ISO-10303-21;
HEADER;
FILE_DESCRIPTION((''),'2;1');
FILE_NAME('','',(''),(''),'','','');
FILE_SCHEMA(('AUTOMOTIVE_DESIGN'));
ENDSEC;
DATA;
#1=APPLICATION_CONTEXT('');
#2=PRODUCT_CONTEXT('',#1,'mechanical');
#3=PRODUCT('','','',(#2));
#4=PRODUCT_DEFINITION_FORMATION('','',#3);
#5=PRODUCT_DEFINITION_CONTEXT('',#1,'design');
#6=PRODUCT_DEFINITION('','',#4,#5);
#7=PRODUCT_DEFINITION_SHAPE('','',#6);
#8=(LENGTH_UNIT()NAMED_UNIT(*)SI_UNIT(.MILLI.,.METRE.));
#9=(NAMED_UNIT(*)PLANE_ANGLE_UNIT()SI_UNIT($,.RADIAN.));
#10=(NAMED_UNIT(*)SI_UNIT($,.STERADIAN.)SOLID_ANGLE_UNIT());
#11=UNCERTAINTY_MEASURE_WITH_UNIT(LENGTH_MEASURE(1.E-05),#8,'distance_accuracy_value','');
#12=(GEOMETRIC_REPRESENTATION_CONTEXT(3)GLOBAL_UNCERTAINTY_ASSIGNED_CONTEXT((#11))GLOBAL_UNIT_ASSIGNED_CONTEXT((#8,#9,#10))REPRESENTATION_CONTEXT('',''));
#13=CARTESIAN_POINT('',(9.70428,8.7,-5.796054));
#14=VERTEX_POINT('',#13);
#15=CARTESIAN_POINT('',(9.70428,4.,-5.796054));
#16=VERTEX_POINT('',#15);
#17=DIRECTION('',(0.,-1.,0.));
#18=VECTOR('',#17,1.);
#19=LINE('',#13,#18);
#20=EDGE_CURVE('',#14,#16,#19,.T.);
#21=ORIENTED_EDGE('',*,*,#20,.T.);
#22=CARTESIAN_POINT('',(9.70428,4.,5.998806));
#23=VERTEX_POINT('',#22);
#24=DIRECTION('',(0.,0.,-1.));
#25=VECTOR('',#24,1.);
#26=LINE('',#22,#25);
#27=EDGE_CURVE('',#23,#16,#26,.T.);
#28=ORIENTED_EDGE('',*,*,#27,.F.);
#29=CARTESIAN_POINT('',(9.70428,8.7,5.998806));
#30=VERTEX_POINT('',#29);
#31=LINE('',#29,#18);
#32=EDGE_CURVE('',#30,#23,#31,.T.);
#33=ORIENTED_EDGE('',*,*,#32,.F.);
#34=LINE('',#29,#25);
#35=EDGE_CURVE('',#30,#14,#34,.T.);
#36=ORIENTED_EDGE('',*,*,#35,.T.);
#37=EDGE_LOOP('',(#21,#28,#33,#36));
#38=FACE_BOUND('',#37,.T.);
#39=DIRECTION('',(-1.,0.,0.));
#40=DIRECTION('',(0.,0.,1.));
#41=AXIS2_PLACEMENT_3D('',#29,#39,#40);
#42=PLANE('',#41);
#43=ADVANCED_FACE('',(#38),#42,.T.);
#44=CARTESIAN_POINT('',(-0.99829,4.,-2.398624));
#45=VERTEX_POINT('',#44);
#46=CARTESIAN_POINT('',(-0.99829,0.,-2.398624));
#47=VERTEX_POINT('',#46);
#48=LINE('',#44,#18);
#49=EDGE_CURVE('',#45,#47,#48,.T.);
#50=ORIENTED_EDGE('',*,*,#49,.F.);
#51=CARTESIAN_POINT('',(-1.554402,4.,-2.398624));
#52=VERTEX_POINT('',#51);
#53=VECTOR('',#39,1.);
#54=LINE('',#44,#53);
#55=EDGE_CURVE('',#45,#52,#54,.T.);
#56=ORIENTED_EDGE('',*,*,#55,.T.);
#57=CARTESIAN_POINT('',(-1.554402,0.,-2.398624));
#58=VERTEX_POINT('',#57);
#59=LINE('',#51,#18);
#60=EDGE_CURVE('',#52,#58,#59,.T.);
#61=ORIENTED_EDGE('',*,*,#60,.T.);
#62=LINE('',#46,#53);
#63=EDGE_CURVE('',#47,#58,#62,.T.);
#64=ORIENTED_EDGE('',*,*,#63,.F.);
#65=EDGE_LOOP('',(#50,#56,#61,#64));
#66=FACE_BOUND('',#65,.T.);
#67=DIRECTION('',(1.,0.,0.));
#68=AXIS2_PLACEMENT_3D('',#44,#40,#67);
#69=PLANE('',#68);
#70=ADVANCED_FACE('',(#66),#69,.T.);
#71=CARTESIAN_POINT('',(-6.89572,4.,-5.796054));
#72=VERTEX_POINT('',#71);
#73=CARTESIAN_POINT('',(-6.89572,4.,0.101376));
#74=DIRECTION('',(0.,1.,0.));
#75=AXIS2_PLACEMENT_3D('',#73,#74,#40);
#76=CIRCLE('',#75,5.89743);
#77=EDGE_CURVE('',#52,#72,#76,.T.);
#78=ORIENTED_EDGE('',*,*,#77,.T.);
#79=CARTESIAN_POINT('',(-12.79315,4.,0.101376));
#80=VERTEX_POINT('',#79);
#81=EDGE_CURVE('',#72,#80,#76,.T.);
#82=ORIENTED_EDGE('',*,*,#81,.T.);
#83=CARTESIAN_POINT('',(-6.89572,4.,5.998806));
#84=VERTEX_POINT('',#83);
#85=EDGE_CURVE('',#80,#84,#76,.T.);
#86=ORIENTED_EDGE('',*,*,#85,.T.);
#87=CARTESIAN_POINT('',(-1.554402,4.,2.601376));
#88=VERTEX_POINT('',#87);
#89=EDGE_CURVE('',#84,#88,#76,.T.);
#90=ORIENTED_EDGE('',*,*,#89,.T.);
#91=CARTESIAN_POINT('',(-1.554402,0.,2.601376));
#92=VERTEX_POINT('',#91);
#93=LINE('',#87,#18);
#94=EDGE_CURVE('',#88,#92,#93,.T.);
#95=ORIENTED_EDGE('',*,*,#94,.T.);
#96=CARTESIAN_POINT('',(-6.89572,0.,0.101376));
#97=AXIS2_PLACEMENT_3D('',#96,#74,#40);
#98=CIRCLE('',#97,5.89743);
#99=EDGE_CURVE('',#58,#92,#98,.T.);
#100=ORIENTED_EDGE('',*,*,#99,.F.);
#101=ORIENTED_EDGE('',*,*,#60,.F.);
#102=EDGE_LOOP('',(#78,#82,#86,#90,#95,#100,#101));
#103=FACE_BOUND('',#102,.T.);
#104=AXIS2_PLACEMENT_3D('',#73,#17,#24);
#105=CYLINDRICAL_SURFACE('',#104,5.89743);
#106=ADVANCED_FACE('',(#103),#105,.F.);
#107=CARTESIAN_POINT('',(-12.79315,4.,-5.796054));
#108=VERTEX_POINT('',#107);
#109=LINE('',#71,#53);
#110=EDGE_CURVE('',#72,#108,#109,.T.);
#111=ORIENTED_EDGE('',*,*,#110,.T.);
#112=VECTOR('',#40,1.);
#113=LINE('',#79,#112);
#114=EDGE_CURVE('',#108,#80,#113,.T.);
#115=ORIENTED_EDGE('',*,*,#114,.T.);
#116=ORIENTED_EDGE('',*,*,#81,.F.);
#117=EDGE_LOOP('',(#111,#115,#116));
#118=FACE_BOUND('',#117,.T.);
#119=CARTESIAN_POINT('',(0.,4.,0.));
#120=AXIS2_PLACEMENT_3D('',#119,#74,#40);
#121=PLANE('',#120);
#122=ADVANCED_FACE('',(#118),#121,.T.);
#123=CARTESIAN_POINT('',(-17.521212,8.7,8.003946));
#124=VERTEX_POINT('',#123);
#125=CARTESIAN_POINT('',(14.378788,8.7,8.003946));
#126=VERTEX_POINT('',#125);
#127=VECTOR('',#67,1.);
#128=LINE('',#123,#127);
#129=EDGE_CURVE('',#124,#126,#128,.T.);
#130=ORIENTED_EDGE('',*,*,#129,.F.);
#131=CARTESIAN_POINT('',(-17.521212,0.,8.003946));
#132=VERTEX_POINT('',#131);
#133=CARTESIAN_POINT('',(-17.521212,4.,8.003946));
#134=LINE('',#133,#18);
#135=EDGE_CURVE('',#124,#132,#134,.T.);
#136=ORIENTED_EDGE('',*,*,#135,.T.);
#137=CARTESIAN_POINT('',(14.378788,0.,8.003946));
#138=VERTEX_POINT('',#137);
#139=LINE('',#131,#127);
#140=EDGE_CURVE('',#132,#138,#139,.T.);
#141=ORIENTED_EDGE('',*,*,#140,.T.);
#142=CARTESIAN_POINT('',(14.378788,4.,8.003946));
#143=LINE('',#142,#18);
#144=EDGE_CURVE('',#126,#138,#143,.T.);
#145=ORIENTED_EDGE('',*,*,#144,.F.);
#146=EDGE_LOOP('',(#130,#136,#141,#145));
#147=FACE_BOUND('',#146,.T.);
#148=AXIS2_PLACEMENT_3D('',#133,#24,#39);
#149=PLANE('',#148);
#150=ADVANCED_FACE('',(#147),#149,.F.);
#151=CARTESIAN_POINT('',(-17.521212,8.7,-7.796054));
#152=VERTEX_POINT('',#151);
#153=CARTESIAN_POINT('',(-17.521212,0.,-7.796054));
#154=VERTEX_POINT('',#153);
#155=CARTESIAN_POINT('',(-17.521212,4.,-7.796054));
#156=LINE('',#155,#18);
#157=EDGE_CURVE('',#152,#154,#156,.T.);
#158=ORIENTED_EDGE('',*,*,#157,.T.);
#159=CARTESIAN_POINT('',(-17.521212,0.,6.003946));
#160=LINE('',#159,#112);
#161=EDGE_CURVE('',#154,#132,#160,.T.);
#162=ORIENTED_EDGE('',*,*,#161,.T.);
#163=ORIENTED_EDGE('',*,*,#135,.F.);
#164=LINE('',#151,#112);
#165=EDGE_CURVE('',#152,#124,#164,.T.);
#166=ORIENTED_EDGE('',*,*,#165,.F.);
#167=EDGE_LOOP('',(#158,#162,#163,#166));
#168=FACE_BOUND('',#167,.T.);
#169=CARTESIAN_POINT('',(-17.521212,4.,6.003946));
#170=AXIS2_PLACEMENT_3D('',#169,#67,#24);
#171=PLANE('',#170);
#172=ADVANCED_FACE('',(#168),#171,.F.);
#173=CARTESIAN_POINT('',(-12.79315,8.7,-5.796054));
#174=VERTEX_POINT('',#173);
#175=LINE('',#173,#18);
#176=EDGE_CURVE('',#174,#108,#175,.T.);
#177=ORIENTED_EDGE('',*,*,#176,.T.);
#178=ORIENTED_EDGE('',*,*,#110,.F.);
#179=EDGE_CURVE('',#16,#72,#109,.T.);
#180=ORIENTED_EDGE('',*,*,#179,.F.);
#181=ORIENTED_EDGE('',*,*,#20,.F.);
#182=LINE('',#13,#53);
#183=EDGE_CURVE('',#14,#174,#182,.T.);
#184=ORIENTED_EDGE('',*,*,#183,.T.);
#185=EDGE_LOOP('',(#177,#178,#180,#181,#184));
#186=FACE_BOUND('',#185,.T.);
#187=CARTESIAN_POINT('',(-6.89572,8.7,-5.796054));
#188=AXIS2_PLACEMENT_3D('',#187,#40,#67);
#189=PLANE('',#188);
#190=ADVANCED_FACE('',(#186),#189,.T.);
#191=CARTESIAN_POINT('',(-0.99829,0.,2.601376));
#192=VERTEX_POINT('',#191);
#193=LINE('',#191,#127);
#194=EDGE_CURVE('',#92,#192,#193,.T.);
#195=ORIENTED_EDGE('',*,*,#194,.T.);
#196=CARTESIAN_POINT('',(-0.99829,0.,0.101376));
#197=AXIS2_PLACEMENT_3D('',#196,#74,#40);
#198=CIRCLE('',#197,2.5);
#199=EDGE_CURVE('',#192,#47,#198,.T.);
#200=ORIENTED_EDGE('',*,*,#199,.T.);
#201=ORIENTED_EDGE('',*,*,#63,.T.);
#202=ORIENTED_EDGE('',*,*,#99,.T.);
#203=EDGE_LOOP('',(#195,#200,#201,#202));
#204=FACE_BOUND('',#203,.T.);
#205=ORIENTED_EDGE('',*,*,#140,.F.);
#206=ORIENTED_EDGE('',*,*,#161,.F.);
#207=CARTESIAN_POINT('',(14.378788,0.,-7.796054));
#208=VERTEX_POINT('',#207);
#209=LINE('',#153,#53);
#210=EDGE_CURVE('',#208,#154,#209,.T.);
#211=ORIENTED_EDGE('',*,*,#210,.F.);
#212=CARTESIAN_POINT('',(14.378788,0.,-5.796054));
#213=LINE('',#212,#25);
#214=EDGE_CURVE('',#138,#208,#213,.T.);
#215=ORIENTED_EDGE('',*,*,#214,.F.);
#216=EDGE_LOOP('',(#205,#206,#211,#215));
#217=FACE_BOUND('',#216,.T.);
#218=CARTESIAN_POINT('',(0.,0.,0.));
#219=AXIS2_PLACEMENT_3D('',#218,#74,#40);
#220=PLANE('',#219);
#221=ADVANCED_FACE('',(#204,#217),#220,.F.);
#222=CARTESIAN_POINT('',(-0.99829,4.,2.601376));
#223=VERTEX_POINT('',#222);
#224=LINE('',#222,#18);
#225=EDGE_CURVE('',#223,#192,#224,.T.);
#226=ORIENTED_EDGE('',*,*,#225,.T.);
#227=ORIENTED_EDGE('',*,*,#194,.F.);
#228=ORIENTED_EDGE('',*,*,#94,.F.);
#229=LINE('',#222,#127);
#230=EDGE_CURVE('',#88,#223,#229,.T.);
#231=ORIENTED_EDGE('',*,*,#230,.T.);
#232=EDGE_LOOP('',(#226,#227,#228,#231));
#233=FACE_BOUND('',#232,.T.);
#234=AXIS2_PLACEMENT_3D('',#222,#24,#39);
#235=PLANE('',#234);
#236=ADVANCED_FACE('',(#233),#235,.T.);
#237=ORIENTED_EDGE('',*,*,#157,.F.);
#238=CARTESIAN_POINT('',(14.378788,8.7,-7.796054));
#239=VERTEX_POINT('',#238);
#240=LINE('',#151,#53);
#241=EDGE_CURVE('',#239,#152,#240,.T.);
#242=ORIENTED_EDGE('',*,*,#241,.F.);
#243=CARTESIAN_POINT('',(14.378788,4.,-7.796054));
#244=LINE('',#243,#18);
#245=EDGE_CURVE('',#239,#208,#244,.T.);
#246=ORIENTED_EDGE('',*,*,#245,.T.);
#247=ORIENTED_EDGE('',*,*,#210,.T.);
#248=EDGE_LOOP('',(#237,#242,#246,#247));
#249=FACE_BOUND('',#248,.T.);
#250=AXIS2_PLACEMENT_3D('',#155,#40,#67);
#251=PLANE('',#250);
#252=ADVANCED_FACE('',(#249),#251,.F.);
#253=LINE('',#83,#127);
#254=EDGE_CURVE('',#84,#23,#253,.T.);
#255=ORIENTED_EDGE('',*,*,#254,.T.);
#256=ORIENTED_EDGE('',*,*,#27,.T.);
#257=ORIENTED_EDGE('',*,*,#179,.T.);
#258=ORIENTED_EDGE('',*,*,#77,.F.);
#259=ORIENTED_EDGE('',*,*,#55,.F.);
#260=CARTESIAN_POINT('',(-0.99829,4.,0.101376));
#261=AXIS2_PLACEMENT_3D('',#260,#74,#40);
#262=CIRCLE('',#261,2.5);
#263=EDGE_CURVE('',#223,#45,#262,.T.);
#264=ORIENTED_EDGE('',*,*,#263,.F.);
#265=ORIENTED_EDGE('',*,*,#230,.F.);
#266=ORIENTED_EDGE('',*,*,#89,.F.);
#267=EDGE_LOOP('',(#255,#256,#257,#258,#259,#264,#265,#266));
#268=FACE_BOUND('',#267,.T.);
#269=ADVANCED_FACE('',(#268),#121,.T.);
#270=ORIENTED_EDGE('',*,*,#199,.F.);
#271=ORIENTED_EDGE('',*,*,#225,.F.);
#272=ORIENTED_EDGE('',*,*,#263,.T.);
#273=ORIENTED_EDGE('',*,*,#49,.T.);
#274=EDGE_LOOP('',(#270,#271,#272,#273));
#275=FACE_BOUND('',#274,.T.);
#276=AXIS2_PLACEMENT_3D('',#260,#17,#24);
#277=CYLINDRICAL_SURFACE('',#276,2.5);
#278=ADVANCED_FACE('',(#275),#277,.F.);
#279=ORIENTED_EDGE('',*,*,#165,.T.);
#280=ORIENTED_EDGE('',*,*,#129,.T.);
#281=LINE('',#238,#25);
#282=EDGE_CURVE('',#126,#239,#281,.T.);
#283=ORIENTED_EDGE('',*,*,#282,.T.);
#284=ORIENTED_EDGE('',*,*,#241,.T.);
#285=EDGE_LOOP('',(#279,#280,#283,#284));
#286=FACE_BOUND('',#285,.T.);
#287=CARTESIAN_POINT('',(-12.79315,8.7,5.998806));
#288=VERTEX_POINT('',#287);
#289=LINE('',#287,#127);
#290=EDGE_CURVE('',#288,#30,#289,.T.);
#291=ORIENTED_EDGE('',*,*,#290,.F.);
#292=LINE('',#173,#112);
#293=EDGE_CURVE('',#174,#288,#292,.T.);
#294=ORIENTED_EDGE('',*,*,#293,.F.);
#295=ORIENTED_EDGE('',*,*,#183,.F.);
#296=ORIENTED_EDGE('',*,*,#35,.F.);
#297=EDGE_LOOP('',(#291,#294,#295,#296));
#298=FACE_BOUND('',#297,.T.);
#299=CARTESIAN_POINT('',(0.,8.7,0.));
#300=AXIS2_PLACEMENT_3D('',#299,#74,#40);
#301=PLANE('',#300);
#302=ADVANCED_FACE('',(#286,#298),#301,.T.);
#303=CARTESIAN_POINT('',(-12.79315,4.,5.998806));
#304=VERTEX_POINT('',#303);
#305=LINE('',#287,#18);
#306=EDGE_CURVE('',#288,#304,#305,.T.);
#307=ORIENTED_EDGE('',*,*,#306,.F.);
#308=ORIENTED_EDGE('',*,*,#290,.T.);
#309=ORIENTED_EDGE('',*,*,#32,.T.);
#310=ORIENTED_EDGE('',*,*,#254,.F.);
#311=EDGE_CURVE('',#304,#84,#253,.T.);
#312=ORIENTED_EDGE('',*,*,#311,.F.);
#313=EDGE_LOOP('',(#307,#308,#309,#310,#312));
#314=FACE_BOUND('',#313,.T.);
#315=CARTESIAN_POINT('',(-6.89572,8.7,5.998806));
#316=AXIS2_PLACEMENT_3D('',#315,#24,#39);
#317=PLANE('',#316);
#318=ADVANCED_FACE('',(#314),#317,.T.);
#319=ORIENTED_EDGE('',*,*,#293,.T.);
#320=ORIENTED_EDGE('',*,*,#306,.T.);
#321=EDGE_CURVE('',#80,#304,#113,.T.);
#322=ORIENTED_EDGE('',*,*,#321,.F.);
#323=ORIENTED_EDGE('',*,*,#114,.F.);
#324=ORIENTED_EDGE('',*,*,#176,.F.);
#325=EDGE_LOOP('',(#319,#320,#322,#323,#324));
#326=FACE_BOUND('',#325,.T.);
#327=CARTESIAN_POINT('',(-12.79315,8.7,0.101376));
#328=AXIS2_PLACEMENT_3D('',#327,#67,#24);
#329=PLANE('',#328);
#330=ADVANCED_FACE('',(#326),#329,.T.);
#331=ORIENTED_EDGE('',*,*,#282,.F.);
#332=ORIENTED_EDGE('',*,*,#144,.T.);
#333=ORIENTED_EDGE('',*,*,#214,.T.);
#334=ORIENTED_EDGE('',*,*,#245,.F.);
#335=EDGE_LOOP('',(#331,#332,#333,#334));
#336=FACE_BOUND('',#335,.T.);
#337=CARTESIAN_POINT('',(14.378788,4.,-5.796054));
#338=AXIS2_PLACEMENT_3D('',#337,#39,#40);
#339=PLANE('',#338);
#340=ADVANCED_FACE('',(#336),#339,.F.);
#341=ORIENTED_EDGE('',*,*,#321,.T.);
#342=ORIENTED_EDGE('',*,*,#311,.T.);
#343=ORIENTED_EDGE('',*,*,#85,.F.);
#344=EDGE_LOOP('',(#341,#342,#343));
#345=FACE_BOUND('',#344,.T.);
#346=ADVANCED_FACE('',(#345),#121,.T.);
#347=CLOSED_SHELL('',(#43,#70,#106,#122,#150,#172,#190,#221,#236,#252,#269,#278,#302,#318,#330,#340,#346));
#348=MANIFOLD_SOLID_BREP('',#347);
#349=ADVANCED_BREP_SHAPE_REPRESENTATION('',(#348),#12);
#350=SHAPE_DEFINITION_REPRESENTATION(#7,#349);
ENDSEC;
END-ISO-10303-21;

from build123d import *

# Parameters (mm, degrees)
BOSS_EXTRUDE5_DEPTH = 4
SKETCH8_W           = 31.9
SKETCH8_H           = 15.8
BOSS_EXTRUDE8_DEPTH = 4.7


with BuildPart() as part:
    # Sketch1 → Boss-Extrude5 (new body)
    with BuildSketch(Plane(origin=(0, 0, 0), x_dir=(1, 0, 0), z_dir=(0, 1, 0))):
        Polygon((-17.521212205, 5.796054243), (-17.521212205, -6.003945757), (-17.521212205, -8.003945757), (14.378787795, -8.003945757), (14.378787795, -6.003945757), (14.378787795, 5.796054243), (14.378787795, 7.796054243), (-17.521212205, 7.796054243), align=None)
        with BuildLine():
            Line((-0.998289948, -2.601375998), (-1.554401677, -2.601375998))
            ThreePointArc((-1.554401677, -2.601375998), (-12.793150429, -0.101375998), (-1.554401677, 2.398624002))
            Line((-1.554401677, 2.398624002), (-0.998289948, 2.398624002))
            ThreePointArc((-0.998289948, 2.398624002), (1.501710052, -0.101375998), (-0.998289948, -2.601375998))
        make_face(mode=Mode.SUBTRACT)
    extrude(amount=BOSS_EXTRUDE5_DEPTH)

    # Sketch8 → Boss-Extrude8 (add)
    with BuildSketch(Plane(origin=(0, 4, 0), x_dir=(1, 0, 0), z_dir=(0, 1, 0))):
        with Locations((-1.571212205, -0.103945757)):
            Rectangle(SKETCH8_W, SKETCH8_H)
        Polygon((-6.895720189, 5.796054243), (-12.793150429, 5.796054243), (-12.793150429, -0.101375998), (-12.793150429, -5.998806238), (-6.895720189, -5.998806238), (9.704279811, -5.998806238), (9.704279811, 5.796054243), align=None, mode=Mode.SUBTRACT)
    extrude(amount=BOSS_EXTRUDE8_DEPTH)


solid = part.part
